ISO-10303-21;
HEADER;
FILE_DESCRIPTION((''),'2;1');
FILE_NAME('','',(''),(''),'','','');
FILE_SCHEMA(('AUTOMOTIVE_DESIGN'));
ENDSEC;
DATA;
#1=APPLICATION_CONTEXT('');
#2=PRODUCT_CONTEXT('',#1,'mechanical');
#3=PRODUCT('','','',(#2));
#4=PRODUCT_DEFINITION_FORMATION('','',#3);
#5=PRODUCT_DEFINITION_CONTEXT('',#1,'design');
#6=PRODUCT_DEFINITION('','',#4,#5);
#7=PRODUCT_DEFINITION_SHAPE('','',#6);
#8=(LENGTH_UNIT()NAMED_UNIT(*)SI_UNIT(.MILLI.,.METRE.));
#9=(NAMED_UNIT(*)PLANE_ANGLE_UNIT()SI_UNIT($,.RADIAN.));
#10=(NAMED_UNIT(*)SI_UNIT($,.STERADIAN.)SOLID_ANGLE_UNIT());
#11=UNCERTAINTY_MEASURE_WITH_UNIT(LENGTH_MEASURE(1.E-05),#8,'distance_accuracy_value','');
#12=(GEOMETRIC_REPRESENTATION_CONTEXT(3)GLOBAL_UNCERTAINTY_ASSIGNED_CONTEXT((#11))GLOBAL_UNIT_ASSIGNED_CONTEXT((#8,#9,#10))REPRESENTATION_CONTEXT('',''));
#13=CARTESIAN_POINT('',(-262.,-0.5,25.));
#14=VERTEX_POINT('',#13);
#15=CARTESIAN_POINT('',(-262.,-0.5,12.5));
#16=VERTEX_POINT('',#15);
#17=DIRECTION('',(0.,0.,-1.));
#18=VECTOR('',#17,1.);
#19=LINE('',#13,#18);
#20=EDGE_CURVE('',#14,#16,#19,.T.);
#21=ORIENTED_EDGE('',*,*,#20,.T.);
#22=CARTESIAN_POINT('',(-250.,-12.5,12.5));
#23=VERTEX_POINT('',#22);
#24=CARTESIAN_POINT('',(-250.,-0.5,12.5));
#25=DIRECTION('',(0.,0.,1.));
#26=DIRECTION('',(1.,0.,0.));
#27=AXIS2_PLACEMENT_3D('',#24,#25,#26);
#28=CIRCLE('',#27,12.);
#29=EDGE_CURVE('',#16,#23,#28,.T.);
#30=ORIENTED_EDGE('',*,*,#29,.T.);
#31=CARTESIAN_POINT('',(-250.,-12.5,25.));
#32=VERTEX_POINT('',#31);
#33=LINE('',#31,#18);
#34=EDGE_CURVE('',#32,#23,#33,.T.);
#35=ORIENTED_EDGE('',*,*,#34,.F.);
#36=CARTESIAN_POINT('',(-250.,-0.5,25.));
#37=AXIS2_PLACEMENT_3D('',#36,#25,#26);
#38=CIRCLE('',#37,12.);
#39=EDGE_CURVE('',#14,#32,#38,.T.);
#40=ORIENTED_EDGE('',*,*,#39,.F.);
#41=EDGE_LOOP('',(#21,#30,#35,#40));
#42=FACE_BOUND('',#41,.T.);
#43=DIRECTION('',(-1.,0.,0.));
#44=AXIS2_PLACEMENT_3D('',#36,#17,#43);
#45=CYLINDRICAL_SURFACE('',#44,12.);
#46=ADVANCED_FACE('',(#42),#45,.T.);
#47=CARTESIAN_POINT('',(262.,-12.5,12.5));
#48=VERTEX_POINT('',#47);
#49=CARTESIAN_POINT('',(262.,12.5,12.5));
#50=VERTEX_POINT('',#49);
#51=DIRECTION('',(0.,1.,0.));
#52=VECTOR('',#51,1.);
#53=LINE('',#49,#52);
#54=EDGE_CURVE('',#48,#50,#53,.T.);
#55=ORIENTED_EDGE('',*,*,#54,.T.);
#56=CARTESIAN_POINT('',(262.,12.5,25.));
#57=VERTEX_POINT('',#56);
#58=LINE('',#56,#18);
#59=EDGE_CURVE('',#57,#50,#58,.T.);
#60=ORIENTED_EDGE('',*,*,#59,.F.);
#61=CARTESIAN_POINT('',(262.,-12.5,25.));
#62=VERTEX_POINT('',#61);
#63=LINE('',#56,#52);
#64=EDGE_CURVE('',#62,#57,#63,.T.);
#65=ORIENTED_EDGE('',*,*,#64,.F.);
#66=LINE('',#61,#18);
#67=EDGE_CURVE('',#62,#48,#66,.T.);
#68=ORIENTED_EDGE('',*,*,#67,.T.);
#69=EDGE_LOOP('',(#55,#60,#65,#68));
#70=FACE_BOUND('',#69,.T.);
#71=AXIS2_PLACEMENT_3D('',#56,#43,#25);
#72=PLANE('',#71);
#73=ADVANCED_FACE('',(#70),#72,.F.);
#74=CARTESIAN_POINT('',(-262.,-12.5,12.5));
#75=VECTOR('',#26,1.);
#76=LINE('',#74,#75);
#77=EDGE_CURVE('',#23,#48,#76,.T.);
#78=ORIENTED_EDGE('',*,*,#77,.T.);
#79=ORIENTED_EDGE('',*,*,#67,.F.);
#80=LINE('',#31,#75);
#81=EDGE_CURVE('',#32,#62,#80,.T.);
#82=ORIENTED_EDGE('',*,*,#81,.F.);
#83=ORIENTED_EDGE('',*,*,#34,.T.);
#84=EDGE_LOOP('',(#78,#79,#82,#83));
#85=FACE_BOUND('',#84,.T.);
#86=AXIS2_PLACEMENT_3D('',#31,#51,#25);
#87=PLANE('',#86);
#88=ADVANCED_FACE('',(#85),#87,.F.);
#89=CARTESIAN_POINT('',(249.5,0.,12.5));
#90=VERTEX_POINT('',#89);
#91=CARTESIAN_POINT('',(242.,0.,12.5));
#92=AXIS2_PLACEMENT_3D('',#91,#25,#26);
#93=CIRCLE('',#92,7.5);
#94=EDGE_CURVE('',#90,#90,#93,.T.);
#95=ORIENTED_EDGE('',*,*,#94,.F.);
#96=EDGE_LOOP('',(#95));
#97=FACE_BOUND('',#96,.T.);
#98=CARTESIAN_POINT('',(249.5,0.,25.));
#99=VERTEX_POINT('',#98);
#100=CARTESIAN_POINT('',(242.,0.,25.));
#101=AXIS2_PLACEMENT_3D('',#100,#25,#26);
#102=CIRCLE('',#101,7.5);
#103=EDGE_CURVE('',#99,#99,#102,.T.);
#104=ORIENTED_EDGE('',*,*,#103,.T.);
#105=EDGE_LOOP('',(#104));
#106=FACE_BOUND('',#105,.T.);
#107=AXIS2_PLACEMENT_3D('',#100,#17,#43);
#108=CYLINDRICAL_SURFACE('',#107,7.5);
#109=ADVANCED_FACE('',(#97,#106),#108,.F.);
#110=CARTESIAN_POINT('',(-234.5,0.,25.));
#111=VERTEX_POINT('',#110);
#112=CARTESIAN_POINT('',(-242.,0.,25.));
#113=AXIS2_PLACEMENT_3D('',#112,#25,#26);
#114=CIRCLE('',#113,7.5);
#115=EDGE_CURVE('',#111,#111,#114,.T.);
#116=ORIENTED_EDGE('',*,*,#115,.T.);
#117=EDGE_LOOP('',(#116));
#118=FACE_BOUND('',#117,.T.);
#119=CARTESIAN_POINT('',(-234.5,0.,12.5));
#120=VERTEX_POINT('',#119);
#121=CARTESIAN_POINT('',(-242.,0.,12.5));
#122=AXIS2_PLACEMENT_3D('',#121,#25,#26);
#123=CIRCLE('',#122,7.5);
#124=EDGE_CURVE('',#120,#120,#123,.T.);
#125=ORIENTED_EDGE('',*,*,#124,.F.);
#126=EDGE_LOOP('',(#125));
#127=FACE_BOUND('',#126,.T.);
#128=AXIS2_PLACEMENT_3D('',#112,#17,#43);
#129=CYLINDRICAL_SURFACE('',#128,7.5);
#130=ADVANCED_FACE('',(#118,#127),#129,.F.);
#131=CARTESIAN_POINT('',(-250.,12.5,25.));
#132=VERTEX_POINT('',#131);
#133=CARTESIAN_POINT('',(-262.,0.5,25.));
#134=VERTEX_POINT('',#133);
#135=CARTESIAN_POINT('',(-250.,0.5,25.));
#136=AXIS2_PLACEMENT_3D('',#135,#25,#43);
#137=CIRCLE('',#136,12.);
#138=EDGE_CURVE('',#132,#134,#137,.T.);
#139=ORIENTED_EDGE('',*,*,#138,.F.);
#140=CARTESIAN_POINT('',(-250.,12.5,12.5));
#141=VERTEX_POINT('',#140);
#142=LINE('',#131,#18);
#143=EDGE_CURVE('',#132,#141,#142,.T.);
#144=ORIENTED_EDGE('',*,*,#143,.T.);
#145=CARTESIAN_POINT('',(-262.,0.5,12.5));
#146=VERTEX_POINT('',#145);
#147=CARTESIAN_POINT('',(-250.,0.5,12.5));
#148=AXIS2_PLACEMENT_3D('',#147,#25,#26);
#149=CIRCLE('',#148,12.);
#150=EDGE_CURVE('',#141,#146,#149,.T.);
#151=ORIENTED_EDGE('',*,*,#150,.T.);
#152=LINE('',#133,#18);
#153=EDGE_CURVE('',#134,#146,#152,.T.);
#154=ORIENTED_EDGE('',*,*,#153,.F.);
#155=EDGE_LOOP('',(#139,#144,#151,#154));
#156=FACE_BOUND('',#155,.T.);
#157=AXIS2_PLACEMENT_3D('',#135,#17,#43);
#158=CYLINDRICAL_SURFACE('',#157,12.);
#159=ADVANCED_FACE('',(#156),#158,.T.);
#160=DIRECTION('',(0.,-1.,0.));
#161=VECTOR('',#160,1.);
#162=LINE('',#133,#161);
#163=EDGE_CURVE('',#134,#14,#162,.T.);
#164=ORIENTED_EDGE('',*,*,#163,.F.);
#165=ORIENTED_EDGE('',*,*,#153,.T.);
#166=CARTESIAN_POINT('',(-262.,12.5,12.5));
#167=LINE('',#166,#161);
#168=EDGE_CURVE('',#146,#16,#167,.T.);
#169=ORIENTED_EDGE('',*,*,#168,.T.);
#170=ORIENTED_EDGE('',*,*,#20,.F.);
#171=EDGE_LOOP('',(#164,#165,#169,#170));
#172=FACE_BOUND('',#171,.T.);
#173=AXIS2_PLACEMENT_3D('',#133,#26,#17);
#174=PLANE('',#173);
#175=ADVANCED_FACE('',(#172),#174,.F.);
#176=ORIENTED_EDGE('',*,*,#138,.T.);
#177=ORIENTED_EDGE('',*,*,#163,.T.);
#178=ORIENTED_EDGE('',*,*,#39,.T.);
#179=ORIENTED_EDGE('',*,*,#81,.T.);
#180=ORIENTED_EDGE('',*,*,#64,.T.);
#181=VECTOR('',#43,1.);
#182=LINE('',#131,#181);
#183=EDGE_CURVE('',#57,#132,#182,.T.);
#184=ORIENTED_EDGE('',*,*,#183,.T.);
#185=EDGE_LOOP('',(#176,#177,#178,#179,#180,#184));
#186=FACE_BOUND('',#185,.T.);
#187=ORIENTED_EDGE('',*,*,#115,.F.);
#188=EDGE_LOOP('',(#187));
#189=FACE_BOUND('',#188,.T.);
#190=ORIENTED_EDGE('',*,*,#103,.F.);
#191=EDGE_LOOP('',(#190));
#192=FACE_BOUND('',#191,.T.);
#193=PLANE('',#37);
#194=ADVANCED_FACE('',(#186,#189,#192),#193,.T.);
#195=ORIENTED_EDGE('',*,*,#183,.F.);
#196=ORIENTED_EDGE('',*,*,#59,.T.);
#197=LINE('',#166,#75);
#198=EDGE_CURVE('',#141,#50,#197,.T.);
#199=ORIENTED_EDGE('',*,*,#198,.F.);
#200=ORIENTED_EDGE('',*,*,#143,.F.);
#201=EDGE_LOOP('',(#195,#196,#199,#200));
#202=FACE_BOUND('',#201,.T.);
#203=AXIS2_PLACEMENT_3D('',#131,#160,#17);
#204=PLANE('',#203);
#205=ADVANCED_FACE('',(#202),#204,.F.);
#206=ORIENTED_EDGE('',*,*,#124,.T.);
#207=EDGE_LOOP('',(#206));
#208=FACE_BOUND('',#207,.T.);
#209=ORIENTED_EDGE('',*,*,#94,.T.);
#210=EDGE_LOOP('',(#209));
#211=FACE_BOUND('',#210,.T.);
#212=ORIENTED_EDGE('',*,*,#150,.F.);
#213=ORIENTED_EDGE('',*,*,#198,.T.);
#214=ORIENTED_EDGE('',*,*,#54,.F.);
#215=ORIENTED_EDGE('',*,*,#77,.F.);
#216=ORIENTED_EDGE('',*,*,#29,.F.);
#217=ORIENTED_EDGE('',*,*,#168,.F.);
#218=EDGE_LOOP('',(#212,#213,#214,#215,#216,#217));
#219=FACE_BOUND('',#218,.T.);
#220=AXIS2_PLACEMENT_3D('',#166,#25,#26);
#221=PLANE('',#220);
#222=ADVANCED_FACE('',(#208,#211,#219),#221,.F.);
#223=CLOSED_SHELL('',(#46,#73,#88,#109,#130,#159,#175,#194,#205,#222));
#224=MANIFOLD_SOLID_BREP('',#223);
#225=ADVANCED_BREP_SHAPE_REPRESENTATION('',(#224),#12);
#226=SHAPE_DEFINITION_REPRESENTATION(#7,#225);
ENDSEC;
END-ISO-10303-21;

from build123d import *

# Parameters (mm, degrees)
SKETCH1_R               = 7.5
BOSS_EXTRUDE2_DEPTH     = 25
CUT_EXTRUDE1_DEPTH      = 525.744938041
CUT_EXTRUDE1_DEPTH_BACK = 525.744938041
SKETCH2_W               = 12.5
SKETCH2_H               = 25


with BuildPart() as part:
    # Sketch1 → Boss-Extrude2 (new body)
    with BuildSketch(Plane.XY):
        with BuildLine():
            Line((-250, 12.5), (262, 12.5))
            Line((262, 12.5), (262, -12.5))
            Line((262, -12.5), (-250, -12.5))
            ThreePointArc((-250, -12.5), (-258.485281374, -8.985281374), (-262, -0.5))
            Line((-262, -0.5), (-262, 0.5))
            ThreePointArc((-262, 0.5), (-258.485281374, 8.985281374), (-250, 12.5))
        make_face()
        with Locations((-242, 0)):
            Circle(SKETCH1_R, mode=Mode.SUBTRACT)
        with Locations((242, 0)):
            Circle(SKETCH1_R, mode=Mode.SUBTRACT)
    extrude(amount=BOSS_EXTRUDE2_DEPTH)

    # Sketch2 → Cut-Extrude1 (cut, two sides: drawn at the far end of the back side and taken through both)
    with BuildSketch(Plane(origin=(262, 0, 0), x_dir=(0, 0, -1), z_dir=(1, 0, 0)).offset(-CUT_EXTRUDE1_DEPTH_BACK)):
        with Locations((-6.25, 0)):
            Rectangle(SKETCH2_W, SKETCH2_H)
    extrude(amount=CUT_EXTRUDE1_DEPTH + CUT_EXTRUDE1_DEPTH_BACK, mode=Mode.SUBTRACT)


solid = part.part
